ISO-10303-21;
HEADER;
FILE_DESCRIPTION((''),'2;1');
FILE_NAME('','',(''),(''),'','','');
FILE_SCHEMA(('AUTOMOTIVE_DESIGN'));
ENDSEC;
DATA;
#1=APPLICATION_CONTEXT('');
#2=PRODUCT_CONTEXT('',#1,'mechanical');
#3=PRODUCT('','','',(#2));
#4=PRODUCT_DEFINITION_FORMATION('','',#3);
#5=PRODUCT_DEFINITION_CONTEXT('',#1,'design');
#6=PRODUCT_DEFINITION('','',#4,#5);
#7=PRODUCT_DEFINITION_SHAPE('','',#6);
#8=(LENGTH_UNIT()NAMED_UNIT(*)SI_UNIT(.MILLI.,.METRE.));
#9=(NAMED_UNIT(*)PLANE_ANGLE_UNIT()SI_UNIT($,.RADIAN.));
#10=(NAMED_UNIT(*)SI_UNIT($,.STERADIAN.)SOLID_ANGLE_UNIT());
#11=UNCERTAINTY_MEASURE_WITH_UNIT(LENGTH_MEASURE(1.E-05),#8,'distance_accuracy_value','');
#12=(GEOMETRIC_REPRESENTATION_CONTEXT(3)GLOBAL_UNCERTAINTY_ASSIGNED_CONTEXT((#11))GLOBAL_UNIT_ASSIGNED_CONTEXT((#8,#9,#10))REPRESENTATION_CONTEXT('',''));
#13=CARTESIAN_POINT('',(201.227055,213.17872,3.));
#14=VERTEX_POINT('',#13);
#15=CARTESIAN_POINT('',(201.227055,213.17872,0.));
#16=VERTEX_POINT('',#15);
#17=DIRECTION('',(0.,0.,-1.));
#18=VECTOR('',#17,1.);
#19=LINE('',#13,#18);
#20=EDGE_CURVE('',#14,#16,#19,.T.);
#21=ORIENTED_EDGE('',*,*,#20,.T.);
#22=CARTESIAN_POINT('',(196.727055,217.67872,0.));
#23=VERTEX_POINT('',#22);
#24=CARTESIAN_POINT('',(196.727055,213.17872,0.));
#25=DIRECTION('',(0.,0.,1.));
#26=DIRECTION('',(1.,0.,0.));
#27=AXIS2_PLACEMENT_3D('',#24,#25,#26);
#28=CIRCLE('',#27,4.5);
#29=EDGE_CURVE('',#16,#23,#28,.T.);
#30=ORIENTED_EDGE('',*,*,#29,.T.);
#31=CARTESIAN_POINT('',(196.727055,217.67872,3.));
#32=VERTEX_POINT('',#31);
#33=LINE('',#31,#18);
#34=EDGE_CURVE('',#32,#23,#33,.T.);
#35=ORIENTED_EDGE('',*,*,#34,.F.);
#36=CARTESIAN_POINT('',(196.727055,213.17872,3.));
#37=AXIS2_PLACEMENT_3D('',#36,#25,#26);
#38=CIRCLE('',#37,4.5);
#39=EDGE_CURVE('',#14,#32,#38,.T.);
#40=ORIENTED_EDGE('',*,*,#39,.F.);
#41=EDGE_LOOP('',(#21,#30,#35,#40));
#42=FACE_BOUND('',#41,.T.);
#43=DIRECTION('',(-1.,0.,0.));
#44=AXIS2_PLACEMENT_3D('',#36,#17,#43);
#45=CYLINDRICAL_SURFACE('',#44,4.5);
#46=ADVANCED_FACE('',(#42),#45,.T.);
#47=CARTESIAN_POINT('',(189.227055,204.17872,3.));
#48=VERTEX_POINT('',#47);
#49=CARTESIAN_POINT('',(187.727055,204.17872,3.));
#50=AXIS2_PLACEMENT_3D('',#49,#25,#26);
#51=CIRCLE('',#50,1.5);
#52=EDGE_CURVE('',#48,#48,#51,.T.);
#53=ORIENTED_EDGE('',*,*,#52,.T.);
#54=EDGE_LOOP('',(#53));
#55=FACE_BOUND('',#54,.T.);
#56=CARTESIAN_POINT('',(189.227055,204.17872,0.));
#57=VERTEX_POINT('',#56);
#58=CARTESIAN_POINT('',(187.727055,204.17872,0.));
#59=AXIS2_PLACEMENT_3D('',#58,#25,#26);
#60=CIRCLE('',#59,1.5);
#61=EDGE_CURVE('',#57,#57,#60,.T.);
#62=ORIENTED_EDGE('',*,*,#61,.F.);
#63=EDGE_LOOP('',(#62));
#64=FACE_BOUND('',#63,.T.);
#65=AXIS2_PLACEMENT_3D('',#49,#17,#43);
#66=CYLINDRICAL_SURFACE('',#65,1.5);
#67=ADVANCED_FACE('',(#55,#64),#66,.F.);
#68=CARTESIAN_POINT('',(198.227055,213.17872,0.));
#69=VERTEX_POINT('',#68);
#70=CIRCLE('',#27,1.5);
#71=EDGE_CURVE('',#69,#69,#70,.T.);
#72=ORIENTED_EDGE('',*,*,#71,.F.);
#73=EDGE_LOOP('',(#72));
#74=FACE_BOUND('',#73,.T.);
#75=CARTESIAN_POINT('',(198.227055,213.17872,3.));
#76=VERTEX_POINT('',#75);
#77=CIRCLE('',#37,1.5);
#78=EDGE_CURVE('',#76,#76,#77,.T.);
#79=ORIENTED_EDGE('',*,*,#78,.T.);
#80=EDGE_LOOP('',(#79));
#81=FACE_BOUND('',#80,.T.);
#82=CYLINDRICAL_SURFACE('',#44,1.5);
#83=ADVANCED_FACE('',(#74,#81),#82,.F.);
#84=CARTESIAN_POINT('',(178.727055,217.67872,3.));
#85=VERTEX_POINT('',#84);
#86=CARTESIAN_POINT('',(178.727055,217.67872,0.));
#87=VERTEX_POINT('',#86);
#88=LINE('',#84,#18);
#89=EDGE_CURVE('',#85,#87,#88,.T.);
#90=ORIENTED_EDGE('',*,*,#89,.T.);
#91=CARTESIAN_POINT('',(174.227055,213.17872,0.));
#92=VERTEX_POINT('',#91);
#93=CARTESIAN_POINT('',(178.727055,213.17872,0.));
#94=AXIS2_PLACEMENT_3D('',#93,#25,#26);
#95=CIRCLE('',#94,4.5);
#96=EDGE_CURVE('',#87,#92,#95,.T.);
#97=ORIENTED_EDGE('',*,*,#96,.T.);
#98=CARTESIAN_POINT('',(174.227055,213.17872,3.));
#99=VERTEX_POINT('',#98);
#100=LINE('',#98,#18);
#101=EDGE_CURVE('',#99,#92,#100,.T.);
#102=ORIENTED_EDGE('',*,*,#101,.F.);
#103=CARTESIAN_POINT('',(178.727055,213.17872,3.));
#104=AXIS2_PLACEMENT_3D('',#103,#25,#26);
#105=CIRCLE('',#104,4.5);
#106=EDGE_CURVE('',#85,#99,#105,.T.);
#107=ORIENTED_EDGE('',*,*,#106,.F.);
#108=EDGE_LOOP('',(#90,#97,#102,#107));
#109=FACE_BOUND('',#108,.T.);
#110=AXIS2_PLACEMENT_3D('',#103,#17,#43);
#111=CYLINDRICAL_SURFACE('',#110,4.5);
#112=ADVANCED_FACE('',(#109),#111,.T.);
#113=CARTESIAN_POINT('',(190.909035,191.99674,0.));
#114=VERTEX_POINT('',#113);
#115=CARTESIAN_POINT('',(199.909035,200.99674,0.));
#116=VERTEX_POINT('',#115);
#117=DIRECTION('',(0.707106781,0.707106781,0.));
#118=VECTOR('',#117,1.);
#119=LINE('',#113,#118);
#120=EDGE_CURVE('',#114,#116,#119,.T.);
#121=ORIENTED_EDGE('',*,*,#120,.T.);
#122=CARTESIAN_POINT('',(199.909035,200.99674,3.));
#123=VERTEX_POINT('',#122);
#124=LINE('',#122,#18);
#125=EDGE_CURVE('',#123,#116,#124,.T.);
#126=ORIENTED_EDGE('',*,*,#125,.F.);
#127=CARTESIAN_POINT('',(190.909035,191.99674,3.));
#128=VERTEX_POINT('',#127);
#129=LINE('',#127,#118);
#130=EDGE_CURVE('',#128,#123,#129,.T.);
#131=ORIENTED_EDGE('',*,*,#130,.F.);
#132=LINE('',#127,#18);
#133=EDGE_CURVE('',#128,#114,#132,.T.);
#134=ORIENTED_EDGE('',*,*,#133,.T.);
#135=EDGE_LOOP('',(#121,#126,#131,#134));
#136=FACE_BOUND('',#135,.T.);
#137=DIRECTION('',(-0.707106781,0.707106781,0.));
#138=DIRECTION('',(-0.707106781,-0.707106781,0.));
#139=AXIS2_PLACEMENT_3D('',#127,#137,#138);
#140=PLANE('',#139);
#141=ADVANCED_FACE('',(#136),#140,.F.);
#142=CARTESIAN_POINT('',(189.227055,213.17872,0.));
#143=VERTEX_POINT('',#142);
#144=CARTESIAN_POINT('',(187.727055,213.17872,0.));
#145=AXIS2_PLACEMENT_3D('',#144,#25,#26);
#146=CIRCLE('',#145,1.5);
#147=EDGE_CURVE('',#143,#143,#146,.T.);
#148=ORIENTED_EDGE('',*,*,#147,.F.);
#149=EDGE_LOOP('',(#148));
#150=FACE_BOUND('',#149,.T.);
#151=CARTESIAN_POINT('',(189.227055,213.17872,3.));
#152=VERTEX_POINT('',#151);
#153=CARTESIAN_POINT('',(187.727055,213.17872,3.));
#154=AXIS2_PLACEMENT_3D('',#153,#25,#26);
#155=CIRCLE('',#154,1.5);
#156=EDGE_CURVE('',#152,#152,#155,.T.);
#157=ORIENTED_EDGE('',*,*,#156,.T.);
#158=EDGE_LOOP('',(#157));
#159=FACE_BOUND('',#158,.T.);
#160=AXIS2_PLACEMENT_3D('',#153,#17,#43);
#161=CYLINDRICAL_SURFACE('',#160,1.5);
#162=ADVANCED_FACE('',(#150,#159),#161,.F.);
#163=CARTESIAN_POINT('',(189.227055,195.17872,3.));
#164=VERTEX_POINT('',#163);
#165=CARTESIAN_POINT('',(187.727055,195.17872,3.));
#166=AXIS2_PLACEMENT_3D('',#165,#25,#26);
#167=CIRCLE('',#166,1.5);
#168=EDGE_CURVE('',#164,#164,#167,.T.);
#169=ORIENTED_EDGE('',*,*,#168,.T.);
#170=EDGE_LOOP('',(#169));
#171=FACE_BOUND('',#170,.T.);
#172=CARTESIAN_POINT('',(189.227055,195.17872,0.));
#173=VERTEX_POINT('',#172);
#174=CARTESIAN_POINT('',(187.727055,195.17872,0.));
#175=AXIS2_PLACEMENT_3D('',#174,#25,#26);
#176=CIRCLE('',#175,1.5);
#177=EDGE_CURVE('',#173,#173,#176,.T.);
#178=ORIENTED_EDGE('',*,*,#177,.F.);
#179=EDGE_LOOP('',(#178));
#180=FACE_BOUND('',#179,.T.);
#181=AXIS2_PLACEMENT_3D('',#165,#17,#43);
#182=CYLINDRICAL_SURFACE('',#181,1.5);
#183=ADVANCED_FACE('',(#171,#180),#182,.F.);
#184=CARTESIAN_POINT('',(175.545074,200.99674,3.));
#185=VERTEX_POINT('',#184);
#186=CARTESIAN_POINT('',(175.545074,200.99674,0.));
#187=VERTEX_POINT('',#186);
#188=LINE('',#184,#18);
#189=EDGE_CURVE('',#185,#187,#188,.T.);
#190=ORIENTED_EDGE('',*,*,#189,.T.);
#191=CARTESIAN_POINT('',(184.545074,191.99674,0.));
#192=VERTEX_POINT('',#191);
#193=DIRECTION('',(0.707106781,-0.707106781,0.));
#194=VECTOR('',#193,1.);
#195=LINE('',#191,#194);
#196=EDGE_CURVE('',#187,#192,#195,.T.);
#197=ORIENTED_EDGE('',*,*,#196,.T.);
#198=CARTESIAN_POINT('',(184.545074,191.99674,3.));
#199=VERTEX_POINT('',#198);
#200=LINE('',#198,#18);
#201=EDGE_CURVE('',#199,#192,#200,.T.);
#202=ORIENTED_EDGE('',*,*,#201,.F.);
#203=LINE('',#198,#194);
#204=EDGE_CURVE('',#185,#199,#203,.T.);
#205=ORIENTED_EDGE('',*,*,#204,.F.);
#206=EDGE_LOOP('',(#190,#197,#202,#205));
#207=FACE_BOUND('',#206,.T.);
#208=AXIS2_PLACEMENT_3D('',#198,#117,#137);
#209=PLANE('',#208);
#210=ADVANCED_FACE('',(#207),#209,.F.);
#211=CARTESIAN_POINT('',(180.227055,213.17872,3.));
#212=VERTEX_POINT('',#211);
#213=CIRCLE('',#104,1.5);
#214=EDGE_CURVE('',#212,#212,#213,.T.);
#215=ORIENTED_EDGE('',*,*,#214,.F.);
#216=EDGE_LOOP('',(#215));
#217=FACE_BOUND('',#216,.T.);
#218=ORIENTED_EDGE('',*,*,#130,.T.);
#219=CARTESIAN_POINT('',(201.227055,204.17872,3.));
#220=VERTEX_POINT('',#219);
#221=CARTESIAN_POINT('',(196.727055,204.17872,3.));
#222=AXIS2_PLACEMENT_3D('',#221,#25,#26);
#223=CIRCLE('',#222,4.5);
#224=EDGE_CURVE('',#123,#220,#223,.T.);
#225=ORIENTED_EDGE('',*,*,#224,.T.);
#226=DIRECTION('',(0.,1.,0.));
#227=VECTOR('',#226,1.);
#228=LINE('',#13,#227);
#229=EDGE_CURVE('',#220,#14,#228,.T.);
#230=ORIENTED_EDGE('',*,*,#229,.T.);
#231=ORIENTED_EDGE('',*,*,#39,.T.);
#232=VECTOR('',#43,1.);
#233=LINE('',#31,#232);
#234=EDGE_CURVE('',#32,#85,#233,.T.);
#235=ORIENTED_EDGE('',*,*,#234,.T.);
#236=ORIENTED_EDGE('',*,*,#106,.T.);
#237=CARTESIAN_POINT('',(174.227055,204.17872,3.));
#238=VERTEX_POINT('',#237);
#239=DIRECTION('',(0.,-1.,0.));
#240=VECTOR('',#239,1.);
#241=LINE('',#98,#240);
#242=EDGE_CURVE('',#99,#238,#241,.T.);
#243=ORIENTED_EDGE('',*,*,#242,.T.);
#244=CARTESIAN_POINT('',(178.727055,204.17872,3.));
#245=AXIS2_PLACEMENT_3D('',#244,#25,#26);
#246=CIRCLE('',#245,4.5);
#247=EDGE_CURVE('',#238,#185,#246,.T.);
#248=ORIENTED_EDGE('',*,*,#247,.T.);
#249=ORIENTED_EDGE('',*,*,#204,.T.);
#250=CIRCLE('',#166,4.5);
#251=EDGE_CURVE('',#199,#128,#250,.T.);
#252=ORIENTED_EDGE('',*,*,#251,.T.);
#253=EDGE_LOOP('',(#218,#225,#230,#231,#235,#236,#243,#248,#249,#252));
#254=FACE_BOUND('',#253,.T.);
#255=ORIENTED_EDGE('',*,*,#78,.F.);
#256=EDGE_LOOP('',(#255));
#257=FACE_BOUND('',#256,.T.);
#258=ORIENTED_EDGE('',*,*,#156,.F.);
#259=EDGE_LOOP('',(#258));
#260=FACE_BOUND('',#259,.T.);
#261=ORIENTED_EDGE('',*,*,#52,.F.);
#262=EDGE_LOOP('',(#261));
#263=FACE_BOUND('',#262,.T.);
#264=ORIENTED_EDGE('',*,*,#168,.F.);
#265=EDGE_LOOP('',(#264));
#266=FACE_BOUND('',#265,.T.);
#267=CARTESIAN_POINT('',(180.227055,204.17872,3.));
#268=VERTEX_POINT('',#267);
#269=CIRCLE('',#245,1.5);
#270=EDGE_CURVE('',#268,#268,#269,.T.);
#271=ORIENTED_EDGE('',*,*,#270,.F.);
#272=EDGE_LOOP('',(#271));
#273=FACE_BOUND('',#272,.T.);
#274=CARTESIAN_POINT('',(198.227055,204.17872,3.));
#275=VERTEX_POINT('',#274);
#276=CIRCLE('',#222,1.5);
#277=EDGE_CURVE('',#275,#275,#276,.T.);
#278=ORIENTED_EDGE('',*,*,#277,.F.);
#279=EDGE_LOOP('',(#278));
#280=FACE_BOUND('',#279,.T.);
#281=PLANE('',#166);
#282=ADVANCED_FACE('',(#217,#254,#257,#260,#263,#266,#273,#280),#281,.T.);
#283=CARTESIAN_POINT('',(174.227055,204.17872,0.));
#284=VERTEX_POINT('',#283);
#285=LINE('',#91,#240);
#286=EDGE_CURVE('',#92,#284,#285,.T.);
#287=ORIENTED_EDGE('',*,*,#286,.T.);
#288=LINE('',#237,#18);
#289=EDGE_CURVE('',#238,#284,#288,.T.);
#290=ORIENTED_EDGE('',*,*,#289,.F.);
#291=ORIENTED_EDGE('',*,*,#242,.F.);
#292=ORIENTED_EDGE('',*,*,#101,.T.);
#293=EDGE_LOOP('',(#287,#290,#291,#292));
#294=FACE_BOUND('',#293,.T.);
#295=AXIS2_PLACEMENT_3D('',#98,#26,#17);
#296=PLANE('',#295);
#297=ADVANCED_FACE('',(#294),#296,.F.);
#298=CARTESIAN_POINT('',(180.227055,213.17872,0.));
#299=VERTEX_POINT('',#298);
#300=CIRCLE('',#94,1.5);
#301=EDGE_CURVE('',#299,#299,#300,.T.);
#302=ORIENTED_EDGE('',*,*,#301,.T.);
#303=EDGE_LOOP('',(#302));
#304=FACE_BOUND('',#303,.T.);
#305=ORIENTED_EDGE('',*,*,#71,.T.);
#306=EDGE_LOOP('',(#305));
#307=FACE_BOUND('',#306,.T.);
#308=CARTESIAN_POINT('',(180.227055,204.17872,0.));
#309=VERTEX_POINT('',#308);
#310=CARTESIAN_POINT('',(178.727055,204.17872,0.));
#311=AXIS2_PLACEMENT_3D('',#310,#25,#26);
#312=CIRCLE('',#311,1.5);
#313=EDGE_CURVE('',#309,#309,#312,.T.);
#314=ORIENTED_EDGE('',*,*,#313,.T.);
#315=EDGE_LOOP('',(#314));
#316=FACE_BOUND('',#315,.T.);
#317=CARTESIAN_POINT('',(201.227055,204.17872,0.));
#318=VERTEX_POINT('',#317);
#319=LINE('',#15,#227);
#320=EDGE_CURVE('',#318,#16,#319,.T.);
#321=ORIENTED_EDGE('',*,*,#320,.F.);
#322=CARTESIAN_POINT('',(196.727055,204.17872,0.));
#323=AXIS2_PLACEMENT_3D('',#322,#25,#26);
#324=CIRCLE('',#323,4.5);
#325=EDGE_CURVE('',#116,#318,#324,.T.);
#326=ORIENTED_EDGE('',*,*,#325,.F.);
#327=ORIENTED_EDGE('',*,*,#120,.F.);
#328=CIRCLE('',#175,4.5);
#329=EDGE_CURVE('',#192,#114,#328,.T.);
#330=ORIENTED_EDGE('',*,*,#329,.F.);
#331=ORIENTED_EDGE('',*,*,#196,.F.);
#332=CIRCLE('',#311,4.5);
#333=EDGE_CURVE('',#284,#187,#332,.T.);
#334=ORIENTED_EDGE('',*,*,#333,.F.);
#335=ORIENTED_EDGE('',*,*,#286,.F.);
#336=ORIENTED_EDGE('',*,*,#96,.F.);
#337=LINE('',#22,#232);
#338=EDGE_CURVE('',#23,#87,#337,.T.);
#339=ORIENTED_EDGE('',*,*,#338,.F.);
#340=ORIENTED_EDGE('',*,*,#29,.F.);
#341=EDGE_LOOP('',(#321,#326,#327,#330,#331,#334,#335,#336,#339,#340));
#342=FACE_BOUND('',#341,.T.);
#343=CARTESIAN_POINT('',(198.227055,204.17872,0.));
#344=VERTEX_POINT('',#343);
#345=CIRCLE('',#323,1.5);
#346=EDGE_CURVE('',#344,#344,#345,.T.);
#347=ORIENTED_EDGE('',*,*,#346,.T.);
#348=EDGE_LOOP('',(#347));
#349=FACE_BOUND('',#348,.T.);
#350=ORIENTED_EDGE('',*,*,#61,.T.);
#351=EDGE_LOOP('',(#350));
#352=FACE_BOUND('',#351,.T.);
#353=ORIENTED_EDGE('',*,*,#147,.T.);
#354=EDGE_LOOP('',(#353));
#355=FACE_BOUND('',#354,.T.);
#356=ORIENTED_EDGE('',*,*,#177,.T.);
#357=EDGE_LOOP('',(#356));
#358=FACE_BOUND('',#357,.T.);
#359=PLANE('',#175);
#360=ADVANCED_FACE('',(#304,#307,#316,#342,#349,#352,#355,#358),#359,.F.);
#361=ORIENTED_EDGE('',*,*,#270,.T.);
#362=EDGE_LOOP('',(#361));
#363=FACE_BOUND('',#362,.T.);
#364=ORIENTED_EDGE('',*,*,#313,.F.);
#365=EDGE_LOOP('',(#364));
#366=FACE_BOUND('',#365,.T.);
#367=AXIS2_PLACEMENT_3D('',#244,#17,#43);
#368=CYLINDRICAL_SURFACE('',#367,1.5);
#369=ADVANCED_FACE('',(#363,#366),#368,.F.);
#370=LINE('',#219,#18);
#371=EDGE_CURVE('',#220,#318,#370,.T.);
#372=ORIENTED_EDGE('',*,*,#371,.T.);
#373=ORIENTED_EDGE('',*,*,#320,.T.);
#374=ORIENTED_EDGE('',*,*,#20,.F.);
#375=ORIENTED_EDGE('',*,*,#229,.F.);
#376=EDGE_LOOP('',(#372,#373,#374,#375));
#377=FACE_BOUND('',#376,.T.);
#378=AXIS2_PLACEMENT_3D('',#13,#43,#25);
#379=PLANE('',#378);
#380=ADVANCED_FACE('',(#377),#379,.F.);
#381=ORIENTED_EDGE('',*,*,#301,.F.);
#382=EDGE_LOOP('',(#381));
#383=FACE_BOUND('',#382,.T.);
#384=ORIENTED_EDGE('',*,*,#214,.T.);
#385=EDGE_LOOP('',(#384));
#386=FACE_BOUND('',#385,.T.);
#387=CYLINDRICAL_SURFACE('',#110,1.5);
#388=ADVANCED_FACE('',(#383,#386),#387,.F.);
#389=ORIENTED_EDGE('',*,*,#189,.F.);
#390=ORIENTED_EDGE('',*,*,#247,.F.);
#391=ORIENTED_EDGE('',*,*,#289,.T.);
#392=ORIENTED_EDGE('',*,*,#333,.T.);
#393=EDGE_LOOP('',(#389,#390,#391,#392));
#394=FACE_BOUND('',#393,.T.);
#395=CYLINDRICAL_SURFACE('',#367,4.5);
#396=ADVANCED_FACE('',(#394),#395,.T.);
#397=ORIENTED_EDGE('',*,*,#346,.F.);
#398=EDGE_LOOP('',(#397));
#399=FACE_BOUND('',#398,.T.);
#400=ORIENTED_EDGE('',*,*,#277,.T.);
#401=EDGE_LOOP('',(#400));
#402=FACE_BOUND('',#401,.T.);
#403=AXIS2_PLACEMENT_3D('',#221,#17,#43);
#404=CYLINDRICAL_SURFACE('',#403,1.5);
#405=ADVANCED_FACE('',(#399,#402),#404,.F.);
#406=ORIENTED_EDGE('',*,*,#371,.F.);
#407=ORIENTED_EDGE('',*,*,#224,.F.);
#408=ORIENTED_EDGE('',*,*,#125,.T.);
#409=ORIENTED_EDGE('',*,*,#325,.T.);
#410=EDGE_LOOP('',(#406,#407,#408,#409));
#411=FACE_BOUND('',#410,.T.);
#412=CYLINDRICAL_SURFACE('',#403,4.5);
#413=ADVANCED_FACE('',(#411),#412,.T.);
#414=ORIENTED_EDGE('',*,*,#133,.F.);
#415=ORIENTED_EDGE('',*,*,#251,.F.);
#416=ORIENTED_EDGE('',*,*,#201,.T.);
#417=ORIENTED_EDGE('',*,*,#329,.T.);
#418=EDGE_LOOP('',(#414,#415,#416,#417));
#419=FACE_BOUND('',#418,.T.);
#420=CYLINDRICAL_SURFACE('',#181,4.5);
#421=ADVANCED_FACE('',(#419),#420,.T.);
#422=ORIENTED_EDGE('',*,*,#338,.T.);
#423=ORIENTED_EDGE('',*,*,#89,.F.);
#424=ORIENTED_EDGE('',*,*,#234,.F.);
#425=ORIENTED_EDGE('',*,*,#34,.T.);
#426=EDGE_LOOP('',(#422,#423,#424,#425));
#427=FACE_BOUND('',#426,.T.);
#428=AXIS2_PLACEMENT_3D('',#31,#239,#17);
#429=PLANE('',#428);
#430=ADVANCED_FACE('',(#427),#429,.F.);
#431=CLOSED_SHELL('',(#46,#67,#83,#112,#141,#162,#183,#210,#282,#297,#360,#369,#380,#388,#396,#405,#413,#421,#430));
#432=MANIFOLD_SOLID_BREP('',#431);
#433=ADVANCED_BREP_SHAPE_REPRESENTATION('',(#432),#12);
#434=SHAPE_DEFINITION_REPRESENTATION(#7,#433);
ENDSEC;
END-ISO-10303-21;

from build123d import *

# Parameters (mm, degrees)
MODEL_R                 = 1.5
SALIENTE_EXTRUIR1_DEPTH = 3


with BuildPart() as part:
    # Model → Saliente-Extruir1 (new body)
    with BuildSketch(Plane.XY):
        with BuildLine():
            Line((174.227054575, 213.178720063), (174.227054575, 204.178720063))
            ThreePointArc((174.227054575, 204.178720063), (174.569596678, 202.456644617), (175.545074059, 200.996739548))
            Line((175.545074059, 200.996739548), (184.545074059, 191.996739548))
            ThreePointArc((184.545074059, 191.996739548), (187.727054575, 190.678720063), (190.90903509, 191.996739548))
            Line((190.90903509, 191.996739548), (199.90903509, 200.996739548))
            ThreePointArc((199.90903509, 200.996739548), (200.884512471, 202.456644617), (201.227054575, 204.178720063))
            Line((201.227054575, 204.178720063), (201.227054575, 213.178720063))
            ThreePointArc((201.227054575, 213.178720063), (199.90903509, 216.360700578), (196.727054575, 217.678720063))
            Line((196.727054575, 217.678720063), (178.727054575, 217.678720063))
            ThreePointArc((178.727054575, 217.678720063), (175.545074059, 216.360700578), (174.227054575, 213.178720063))
        make_face()
        with Locations((187.727054575, 204.178720063)):
            Circle(MODEL_R, mode=Mode.SUBTRACT)
        with Locations((178.727054575, 204.178720063)):
            Circle(MODEL_R, mode=Mode.SUBTRACT)
        with Locations((187.727054575, 213.178720063)):
            Circle(MODEL_R, mode=Mode.SUBTRACT)
        with Locations((178.727054575, 213.178720063)):
            Circle(MODEL_R, mode=Mode.SUBTRACT)
        with Locations((196.727054575, 213.178720063)):
            Circle(MODEL_R, mode=Mode.SUBTRACT)
        with Locations((187.727054575, 195.178720063)):
            Circle(MODEL_R, mode=Mode.SUBTRACT)
        with Locations((196.727054575, 204.178720063)):
            Circle(MODEL_R, mode=Mode.SUBTRACT)
    extrude(amount=SALIENTE_EXTRUIR1_DEPTH)


solid = part.part
